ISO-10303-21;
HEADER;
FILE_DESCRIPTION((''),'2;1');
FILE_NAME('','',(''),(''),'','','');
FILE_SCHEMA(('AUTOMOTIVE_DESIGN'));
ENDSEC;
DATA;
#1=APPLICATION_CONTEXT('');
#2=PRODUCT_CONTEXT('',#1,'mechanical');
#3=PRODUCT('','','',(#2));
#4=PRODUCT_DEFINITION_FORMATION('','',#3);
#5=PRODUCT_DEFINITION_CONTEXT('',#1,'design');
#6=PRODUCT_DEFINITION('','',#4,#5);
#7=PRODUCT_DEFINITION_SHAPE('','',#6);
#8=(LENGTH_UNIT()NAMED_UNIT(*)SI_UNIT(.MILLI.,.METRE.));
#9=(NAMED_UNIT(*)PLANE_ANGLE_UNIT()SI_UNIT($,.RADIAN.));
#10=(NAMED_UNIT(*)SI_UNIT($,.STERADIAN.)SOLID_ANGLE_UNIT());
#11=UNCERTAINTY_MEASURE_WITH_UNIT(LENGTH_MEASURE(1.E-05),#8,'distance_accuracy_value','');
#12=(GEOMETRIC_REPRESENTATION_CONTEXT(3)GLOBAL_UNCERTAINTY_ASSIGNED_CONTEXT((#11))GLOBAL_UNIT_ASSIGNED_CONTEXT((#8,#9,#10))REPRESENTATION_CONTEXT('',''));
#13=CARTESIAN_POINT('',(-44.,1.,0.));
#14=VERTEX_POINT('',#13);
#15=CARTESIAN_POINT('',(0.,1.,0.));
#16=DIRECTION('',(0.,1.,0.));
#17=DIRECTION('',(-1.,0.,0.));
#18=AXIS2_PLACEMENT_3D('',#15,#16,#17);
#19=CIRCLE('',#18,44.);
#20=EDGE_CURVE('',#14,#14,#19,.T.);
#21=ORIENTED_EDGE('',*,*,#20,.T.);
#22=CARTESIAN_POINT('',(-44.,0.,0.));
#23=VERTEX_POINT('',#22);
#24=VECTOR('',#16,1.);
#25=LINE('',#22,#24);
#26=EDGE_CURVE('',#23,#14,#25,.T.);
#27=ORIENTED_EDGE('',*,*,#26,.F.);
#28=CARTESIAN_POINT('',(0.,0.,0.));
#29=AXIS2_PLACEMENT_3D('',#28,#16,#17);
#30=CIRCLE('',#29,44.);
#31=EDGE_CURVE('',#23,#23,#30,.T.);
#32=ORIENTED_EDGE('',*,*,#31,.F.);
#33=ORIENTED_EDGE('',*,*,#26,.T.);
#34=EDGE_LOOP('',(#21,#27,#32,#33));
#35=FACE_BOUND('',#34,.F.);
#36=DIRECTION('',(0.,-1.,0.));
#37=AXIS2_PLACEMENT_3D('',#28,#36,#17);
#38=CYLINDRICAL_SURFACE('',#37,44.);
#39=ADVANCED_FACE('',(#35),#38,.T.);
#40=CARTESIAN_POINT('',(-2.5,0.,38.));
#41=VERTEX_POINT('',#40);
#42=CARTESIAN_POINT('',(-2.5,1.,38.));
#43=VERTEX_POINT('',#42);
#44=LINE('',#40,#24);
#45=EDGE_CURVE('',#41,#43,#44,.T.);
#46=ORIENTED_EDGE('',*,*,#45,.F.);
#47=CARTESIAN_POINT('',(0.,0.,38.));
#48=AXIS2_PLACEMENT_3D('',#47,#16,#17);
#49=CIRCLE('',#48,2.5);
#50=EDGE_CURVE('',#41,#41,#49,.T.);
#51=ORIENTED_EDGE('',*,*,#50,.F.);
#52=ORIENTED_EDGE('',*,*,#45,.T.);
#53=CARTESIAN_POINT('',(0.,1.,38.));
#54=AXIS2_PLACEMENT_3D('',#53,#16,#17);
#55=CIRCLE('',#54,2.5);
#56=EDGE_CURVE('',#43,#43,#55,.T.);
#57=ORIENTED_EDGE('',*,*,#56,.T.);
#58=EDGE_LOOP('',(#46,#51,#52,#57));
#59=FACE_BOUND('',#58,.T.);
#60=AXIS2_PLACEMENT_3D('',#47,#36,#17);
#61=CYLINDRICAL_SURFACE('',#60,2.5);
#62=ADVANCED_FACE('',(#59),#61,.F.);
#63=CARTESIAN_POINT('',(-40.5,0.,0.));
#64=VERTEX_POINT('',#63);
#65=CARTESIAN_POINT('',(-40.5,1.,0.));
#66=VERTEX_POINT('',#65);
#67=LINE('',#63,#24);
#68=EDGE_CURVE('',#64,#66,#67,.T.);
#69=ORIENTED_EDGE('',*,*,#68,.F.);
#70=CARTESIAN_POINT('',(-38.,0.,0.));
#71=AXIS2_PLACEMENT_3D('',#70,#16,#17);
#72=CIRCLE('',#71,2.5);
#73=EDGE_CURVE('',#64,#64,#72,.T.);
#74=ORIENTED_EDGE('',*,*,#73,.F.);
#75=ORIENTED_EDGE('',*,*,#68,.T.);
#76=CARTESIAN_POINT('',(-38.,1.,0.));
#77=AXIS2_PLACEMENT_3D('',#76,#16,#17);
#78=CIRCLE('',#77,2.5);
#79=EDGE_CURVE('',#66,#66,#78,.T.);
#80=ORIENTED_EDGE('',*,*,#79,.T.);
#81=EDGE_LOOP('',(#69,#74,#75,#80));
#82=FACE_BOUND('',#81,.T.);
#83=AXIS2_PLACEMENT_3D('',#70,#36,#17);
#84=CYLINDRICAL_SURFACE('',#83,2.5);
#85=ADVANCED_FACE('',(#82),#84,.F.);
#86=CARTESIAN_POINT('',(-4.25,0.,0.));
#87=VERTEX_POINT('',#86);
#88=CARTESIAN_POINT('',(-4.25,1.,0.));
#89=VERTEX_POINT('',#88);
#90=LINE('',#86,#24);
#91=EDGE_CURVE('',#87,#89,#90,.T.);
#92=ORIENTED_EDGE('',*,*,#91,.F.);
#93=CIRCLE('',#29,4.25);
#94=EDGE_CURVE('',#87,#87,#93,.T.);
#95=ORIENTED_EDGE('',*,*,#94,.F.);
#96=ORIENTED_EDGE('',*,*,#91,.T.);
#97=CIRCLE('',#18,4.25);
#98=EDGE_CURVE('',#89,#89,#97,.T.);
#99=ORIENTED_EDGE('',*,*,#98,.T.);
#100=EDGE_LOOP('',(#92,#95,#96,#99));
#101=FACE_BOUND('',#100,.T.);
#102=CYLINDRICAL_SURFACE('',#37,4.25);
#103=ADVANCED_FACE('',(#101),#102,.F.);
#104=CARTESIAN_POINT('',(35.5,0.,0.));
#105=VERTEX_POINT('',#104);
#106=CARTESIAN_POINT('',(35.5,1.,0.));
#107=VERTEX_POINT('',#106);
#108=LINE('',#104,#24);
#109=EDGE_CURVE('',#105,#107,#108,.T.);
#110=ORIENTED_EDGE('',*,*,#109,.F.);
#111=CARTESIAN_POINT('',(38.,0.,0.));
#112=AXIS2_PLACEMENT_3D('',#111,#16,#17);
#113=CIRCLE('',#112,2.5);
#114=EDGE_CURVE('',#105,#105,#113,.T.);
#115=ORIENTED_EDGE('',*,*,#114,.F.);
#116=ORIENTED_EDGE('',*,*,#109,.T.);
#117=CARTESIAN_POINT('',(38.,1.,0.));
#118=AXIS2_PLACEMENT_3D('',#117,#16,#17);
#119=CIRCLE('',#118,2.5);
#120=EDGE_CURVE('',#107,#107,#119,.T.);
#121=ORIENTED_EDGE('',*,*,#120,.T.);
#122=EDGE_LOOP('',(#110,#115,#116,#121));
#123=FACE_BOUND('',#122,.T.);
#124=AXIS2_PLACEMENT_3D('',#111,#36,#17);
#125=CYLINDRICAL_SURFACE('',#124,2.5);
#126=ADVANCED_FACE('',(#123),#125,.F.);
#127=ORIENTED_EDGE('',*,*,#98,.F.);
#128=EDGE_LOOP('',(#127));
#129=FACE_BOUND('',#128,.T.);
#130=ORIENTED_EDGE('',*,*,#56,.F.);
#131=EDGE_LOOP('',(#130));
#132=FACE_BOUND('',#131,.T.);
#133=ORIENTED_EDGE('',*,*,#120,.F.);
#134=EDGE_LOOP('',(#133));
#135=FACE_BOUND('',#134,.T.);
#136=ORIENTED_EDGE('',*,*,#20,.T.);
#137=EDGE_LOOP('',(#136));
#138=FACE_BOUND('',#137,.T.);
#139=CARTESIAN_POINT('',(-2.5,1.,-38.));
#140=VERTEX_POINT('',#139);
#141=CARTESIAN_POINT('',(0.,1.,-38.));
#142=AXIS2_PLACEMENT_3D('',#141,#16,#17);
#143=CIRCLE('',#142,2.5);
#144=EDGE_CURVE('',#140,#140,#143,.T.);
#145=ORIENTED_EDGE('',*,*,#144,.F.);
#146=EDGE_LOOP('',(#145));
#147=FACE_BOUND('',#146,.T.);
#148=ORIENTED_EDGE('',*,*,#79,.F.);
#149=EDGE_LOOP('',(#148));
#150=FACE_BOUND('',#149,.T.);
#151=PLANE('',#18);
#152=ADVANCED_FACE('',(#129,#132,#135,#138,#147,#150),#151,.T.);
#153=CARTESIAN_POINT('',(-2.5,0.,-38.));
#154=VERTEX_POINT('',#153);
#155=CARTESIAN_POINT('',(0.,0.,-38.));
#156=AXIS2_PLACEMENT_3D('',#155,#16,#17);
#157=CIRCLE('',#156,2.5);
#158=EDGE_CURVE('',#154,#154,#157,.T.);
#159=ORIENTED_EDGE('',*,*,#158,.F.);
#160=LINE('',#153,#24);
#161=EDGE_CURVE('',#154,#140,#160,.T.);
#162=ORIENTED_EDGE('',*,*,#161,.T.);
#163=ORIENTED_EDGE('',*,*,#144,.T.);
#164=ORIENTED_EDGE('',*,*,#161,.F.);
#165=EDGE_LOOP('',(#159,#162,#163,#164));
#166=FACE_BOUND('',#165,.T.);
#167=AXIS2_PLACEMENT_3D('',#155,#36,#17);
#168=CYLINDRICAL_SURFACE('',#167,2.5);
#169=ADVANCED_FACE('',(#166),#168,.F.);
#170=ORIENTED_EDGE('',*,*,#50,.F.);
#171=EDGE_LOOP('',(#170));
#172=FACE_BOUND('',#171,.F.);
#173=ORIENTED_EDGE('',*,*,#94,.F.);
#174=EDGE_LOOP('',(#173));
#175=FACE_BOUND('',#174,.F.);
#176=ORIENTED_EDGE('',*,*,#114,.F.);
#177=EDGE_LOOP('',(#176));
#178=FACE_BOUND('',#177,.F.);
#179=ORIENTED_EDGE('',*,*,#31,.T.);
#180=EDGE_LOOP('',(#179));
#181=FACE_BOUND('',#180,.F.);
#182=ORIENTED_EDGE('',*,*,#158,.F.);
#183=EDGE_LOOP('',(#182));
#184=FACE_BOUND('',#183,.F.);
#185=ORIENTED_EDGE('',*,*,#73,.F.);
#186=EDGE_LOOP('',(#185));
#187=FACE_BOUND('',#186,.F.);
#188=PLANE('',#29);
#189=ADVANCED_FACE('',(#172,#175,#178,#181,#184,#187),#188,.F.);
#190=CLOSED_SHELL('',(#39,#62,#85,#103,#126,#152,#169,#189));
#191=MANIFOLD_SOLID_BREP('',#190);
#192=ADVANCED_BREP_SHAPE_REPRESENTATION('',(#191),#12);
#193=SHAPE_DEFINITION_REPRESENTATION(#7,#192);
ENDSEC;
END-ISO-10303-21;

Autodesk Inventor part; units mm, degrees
ref_plane "YZ Plane" through (0, 0, 0) normal (1, 0, 0) x (0, 1, 0)
ref_plane "XZ Plane" through (0, 0, 0) normal (0, 1, 0) x (-1, 0, 0)
ref_plane "XY Plane" through (0, 0, 0) normal (0, 0, 1) x (1, 0, 0)
sketch "Эскиз1" plane through (0, 0, 0) normal (0, 1, 0) x (-1, 0, 0)
  circle A0 centre (0, 0) radius 44
  circle A1 centre (0, 0) radius 4.25
  circle A2 centre (0, -38) radius 2.5
  circle A3 centre (38, 0) radius 2.5
  circle A4 centre (0, 38) radius 2.5
  circle A5 centre (-38, 0) radius 2.5
  dimension "d0" = 88
  dimension "d1" = 8.5
  dimension "d3" = 5
  dimension "d6" = 360
extrude "Выдавливание1" add sketch "Эскиз1" along normal blind 1
